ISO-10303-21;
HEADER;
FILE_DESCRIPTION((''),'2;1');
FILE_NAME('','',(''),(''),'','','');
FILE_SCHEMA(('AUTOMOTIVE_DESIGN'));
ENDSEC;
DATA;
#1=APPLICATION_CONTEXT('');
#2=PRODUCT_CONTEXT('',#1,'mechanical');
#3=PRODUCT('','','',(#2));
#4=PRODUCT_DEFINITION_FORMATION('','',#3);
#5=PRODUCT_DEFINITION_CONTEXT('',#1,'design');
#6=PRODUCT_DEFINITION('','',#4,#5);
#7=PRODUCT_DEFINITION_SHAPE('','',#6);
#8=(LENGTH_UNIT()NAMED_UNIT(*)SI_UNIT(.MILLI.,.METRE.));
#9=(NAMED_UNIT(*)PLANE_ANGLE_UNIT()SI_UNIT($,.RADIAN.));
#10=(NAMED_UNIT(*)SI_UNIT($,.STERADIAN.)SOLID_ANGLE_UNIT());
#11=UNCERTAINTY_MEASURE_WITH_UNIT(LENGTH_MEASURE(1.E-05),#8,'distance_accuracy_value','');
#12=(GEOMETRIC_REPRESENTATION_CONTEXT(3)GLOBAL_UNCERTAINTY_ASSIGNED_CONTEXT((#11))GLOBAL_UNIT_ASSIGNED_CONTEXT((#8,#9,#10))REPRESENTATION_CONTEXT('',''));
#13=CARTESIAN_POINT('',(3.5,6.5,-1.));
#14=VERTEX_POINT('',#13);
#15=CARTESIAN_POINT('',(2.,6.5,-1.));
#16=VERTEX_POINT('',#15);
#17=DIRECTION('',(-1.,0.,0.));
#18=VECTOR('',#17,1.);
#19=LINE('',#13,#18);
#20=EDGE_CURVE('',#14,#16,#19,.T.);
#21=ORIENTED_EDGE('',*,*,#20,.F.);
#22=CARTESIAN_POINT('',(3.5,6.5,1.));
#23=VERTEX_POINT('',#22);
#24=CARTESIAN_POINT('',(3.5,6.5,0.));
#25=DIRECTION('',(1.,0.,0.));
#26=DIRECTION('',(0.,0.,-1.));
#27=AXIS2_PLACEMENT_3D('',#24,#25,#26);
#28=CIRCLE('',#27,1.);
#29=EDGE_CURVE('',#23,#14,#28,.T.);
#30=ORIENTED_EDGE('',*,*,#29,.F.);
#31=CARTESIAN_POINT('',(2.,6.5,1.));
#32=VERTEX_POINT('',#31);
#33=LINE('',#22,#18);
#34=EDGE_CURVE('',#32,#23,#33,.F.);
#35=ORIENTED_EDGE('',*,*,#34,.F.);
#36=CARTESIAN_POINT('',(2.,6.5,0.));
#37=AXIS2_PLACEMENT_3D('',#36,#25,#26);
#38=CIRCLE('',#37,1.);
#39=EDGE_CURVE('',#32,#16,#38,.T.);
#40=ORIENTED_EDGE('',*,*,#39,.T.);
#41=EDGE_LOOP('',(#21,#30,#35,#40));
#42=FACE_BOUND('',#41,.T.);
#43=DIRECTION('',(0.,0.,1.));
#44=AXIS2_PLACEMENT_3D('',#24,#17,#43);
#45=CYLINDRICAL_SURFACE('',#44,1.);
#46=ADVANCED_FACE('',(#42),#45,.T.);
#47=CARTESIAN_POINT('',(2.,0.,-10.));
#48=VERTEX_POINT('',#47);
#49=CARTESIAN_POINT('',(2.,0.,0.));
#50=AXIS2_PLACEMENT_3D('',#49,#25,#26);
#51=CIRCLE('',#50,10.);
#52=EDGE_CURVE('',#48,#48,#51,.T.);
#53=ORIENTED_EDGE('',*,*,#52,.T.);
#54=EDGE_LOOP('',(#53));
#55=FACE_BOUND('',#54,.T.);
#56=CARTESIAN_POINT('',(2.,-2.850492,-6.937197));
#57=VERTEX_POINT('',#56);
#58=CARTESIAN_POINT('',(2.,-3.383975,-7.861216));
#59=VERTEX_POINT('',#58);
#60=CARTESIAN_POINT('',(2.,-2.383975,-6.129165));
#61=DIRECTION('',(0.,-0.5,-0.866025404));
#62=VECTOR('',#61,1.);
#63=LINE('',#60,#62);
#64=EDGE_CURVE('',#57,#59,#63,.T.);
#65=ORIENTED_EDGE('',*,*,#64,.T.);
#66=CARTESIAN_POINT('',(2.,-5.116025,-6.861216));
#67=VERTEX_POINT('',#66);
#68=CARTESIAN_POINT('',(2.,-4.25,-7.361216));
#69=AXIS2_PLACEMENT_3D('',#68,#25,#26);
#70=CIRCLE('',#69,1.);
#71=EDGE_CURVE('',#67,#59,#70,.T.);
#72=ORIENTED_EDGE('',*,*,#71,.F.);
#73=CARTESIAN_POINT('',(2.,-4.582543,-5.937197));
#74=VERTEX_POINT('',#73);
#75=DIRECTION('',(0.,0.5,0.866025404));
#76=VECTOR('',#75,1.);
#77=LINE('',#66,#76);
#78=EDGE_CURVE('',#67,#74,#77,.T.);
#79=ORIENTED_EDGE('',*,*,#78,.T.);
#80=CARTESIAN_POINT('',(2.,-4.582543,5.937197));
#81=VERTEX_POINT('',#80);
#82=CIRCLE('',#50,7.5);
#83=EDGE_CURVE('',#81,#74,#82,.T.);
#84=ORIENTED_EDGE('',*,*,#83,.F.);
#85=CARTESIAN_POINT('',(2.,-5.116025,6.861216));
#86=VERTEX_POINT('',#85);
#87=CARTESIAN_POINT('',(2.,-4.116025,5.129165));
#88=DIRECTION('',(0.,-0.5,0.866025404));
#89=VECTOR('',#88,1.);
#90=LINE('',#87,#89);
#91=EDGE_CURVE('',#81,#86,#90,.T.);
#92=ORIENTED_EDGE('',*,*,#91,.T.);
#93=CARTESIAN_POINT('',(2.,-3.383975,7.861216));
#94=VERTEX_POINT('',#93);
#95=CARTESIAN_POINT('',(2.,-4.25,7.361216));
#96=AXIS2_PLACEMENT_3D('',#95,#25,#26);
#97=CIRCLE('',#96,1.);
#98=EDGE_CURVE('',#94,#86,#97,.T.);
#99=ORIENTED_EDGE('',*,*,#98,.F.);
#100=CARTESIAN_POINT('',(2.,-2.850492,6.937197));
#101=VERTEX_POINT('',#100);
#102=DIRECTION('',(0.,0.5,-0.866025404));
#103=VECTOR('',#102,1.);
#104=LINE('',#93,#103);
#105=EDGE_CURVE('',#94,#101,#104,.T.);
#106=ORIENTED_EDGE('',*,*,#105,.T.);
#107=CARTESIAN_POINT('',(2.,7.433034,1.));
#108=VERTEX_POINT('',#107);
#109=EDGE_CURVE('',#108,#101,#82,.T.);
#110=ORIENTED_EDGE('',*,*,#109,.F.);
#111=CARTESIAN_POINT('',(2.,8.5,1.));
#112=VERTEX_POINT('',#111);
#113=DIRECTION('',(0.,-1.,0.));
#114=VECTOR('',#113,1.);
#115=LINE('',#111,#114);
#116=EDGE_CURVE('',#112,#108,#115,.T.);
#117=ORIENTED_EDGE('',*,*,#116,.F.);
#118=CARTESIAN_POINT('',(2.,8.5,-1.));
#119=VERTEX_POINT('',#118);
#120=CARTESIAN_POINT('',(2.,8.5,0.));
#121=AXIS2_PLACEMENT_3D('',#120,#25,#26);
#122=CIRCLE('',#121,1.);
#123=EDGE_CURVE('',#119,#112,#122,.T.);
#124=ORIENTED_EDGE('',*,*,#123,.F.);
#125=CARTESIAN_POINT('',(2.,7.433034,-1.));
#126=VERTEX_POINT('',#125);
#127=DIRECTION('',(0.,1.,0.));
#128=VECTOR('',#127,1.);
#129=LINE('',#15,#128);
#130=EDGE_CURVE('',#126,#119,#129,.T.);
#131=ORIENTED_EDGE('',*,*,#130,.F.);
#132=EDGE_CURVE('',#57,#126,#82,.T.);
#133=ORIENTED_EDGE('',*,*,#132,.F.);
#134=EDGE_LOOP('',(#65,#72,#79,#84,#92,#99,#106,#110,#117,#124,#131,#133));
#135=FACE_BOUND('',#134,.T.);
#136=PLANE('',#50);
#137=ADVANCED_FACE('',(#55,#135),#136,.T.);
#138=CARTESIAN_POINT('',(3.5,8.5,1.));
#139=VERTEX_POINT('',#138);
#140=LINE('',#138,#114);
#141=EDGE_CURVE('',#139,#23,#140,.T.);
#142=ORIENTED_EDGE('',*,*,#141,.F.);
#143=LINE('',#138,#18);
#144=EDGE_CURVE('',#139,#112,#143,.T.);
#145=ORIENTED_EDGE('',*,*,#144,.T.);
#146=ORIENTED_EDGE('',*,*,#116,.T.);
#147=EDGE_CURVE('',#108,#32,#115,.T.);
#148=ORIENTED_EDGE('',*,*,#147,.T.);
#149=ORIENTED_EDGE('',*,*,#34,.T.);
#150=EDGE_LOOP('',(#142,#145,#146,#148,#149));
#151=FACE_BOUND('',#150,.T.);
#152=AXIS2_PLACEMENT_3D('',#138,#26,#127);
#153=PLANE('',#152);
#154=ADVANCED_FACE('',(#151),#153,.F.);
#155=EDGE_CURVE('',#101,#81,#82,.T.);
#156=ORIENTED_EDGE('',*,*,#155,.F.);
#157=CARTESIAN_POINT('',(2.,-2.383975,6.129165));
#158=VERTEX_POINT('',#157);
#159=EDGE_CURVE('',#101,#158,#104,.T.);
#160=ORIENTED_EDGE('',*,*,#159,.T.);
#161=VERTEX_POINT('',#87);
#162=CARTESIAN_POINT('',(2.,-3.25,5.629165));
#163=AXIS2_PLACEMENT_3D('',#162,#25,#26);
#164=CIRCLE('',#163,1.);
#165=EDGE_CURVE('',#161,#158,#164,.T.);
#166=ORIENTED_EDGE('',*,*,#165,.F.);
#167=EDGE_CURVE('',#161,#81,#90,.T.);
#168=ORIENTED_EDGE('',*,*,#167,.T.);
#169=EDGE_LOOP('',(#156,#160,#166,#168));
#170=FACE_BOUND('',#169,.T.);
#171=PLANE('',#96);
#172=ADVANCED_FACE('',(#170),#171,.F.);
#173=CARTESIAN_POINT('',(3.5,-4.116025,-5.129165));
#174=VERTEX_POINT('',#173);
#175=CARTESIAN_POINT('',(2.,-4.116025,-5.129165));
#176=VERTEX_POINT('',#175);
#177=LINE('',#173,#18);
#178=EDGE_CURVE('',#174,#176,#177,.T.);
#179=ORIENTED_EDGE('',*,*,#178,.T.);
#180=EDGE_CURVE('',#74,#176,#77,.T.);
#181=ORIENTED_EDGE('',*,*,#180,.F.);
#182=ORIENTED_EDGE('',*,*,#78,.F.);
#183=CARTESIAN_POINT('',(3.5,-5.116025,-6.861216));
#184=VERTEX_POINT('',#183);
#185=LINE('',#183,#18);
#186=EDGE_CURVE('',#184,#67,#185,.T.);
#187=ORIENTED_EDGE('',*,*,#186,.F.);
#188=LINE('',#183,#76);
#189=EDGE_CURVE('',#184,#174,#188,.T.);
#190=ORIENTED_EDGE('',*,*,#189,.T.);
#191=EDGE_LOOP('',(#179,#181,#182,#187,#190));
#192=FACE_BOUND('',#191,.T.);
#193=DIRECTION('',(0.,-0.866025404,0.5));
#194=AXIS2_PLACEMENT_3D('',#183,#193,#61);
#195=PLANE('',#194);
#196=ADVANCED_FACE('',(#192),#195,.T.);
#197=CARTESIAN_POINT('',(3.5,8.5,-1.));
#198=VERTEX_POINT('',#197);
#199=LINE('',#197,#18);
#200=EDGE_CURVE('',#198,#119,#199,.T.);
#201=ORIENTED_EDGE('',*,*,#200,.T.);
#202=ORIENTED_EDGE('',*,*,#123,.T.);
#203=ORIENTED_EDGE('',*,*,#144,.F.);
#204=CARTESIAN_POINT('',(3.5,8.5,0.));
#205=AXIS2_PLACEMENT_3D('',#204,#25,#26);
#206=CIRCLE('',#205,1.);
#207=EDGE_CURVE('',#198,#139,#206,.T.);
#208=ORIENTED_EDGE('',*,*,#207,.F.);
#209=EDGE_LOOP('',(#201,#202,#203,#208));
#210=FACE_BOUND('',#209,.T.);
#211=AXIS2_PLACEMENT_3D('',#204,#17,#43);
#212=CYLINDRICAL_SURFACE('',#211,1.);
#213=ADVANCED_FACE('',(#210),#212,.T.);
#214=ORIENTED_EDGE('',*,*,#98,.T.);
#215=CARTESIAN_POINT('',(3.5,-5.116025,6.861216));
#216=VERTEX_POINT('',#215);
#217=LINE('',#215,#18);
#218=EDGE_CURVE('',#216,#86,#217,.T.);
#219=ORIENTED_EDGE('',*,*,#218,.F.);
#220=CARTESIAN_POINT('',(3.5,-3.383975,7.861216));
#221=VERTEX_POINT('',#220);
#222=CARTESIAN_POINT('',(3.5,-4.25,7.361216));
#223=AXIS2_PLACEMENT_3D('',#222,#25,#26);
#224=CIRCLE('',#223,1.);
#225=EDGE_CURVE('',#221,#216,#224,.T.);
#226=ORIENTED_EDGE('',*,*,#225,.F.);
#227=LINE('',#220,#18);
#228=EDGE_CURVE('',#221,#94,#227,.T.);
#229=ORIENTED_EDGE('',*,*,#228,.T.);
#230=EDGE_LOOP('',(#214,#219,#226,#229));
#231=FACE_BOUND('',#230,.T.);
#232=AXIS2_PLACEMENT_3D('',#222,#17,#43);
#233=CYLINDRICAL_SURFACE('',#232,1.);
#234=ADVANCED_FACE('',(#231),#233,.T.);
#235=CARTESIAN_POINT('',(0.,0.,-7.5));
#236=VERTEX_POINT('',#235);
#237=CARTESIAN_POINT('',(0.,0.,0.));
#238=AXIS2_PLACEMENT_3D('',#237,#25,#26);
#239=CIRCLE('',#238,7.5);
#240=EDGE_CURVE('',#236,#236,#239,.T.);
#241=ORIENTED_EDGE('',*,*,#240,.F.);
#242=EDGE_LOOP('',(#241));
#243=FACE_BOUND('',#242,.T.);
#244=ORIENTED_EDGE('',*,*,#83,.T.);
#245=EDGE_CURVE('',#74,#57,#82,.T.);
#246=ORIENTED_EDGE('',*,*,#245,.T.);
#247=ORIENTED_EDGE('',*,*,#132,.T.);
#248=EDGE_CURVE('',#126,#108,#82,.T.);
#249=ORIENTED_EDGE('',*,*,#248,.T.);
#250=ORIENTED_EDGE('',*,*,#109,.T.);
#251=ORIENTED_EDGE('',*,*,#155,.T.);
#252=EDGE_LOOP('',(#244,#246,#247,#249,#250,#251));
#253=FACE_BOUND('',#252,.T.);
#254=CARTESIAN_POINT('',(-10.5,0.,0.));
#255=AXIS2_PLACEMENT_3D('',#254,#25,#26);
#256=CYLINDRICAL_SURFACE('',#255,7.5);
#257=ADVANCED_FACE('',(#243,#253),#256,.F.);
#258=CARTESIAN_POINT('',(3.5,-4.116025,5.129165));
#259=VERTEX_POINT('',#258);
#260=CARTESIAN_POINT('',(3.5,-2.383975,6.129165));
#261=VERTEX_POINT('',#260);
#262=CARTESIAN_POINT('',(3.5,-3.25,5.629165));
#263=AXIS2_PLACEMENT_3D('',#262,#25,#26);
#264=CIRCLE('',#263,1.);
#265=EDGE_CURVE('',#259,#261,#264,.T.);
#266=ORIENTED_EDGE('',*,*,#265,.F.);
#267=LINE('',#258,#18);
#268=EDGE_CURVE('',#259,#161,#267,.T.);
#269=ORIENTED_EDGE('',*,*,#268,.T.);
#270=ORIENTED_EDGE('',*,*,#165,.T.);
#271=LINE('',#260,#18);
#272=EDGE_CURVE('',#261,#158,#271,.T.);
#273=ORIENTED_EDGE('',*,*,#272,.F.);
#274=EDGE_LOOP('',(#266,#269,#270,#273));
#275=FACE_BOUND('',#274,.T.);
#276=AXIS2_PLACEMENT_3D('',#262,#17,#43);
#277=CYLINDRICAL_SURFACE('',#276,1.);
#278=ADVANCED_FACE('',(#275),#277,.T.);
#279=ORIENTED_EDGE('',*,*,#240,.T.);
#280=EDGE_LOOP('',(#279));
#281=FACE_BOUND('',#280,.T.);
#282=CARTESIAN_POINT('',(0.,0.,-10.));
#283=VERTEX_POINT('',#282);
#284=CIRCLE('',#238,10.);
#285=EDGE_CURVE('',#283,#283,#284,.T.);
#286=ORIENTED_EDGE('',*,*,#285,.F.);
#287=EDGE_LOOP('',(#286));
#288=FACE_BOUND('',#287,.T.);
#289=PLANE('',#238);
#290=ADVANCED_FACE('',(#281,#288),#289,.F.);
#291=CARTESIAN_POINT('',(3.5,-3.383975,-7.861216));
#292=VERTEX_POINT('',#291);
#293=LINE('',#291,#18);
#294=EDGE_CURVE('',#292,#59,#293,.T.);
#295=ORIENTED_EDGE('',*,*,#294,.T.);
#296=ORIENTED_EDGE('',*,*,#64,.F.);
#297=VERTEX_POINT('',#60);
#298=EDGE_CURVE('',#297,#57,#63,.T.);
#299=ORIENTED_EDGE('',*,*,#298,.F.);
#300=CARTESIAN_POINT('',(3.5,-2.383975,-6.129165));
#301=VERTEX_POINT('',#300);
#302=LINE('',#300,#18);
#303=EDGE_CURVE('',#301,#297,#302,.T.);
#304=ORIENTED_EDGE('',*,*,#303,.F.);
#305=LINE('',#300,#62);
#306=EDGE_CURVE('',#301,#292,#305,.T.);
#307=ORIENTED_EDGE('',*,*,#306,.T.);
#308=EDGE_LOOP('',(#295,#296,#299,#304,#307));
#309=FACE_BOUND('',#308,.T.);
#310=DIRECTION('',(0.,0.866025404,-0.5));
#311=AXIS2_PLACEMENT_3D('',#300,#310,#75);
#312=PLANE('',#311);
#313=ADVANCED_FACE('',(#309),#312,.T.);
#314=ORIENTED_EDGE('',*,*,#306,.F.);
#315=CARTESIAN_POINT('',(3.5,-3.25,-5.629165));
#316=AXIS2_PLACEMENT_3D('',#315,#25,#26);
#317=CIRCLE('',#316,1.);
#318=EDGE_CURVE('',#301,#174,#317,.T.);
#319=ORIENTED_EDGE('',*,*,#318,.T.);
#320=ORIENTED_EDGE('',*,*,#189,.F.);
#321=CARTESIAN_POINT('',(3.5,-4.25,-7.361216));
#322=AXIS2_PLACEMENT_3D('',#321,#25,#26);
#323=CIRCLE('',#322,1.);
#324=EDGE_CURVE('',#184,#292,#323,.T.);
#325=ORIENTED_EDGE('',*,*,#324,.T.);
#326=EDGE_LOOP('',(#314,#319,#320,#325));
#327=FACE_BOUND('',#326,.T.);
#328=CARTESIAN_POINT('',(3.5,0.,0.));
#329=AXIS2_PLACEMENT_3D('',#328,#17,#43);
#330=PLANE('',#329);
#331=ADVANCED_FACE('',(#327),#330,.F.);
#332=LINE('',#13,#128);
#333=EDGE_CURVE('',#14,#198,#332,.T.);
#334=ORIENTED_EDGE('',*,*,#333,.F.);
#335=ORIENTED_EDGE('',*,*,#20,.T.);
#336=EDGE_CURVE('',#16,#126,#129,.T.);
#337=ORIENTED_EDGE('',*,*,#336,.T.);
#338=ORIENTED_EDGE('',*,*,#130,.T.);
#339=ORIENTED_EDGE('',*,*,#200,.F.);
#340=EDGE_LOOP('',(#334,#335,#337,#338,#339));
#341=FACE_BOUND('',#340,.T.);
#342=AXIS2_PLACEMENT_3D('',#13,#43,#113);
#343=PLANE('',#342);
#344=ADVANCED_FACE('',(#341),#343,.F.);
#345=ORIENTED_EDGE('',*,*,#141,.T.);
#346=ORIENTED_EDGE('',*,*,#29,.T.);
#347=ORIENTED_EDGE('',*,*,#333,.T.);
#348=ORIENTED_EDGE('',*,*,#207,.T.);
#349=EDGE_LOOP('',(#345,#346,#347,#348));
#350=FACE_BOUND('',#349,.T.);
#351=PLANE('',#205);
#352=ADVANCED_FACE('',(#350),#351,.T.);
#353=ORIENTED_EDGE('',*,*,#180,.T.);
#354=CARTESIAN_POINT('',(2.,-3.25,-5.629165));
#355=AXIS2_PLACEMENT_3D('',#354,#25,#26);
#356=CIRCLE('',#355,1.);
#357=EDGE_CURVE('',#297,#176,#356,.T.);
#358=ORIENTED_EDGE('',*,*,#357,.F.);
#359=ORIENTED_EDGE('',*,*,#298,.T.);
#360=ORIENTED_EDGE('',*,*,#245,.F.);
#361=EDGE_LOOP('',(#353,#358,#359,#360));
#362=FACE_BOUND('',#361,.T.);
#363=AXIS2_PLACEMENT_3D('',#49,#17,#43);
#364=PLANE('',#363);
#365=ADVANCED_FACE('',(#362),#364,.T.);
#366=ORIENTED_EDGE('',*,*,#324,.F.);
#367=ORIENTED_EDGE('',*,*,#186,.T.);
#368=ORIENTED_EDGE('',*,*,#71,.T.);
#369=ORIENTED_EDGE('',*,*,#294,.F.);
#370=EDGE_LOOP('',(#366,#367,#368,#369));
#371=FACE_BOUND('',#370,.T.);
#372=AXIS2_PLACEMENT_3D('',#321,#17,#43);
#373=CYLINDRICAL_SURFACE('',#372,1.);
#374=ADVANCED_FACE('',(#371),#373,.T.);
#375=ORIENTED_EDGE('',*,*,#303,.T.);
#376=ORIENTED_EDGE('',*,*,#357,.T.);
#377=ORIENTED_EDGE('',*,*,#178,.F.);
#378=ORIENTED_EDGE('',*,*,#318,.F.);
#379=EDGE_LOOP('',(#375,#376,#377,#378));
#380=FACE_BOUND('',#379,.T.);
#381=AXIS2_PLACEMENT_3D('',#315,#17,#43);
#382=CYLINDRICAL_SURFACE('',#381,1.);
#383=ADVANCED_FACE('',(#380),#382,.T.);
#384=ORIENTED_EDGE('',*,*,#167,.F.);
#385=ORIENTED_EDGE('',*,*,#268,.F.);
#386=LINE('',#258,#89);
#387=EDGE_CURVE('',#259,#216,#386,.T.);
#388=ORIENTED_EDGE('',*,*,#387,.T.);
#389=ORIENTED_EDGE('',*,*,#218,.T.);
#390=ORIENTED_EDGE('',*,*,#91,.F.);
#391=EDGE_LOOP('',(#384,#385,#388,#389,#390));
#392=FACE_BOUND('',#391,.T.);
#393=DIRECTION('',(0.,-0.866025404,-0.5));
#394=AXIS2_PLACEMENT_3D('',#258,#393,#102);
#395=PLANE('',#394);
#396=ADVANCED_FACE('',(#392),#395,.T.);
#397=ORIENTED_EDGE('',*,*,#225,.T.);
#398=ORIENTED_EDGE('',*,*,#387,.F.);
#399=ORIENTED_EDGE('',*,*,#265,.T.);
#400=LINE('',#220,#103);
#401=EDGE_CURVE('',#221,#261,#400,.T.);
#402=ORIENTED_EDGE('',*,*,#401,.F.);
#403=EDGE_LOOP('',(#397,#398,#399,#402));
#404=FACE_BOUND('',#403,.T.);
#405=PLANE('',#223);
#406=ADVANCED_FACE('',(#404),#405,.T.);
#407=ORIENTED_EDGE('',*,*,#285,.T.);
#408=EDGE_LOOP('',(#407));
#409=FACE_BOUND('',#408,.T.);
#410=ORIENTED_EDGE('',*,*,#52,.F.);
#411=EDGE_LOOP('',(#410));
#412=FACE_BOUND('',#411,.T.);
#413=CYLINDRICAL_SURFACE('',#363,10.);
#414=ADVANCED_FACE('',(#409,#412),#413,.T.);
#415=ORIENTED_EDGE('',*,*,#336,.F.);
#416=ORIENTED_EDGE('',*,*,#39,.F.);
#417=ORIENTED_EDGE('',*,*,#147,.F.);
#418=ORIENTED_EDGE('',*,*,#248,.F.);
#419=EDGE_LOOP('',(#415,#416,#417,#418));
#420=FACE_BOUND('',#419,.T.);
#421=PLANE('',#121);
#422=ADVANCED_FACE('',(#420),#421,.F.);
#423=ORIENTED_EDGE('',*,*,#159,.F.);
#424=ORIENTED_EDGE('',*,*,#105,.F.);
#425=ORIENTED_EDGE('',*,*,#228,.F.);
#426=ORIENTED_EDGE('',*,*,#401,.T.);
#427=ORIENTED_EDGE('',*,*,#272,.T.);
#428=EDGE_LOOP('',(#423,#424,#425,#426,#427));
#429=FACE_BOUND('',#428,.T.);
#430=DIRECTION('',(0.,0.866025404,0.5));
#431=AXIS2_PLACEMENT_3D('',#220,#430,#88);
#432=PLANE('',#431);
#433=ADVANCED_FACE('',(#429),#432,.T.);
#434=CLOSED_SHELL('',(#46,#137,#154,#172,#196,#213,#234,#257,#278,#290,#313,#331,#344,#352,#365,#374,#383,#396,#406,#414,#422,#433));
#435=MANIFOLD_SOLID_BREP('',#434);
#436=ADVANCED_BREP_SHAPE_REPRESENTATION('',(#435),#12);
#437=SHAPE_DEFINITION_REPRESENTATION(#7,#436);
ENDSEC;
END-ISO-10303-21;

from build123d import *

# Parameters (mm, degrees)
SKETCH_1_R          = 10
EXTRUDE_1_DEPTH     = 2
SKETCH_3_R          = 7.5
CUT_EXTRUDE_1_DEPTH = 12.5
SKETCH_5_R          = 1
SKETCH_5_W          = 2
SKETCH_5_H          = 2
EXTRUDE_5_DEPTH     = 1.5


with BuildPart() as part:
    # 草图1 → 凸台-拉伸1 (new body)
    with BuildSketch(Plane(origin=(0, 0, 0), x_dir=(0, 0, -1), z_dir=(1, 0, 0))):
        Circle(SKETCH_1_R)
    extrude(amount=EXTRUDE_1_DEPTH)

    # 草图3 → 切除-拉伸1 (cut)
    with BuildSketch(Plane(origin=(2, 0, 0), x_dir=(0, 0, -1), z_dir=(1, 0, 0))):
        Circle(SKETCH_3_R)
    extrude(amount=-CUT_EXTRUDE_1_DEPTH, mode=Mode.SUBTRACT)

    # 草图5 → 凸台-拉伸5 (add)
    with BuildSketch(Plane(origin=(2, 0, 0), x_dir=(0, 0, -1), z_dir=(1, 0, 0))):
        with Locations((0, 8.5)):
            Circle(SKETCH_5_R)
        with Locations((7.361215932, -4.25)):
            Circle(SKETCH_5_R)
        with Locations((-7.361215932, -4.25)):
            Circle(SKETCH_5_R)
        with Locations((-5.629165125, -3.25)):
            Circle(SKETCH_5_R)
        with Locations((0, 6.5)):
            Circle(SKETCH_5_R)
        with Locations((5.629165125, -3.25)):
            Circle(SKETCH_5_R)
        Polygon((-7.861215932, -3.383974596), (-6.129165125, -2.383974596), (-5.129165125, -4.116025404), (-6.861215932, -5.116025404), align=None)
        with Locations((0, 7.5)):
            Rectangle(SKETCH_5_W, SKETCH_5_H)
        Polygon((6.129165125, -2.383974596), (7.861215932, -3.383974596), (6.861215932, -5.116025404), (5.129165125, -4.116025404), align=None)
    extrude(amount=EXTRUDE_5_DEPTH)


solid = part.part
